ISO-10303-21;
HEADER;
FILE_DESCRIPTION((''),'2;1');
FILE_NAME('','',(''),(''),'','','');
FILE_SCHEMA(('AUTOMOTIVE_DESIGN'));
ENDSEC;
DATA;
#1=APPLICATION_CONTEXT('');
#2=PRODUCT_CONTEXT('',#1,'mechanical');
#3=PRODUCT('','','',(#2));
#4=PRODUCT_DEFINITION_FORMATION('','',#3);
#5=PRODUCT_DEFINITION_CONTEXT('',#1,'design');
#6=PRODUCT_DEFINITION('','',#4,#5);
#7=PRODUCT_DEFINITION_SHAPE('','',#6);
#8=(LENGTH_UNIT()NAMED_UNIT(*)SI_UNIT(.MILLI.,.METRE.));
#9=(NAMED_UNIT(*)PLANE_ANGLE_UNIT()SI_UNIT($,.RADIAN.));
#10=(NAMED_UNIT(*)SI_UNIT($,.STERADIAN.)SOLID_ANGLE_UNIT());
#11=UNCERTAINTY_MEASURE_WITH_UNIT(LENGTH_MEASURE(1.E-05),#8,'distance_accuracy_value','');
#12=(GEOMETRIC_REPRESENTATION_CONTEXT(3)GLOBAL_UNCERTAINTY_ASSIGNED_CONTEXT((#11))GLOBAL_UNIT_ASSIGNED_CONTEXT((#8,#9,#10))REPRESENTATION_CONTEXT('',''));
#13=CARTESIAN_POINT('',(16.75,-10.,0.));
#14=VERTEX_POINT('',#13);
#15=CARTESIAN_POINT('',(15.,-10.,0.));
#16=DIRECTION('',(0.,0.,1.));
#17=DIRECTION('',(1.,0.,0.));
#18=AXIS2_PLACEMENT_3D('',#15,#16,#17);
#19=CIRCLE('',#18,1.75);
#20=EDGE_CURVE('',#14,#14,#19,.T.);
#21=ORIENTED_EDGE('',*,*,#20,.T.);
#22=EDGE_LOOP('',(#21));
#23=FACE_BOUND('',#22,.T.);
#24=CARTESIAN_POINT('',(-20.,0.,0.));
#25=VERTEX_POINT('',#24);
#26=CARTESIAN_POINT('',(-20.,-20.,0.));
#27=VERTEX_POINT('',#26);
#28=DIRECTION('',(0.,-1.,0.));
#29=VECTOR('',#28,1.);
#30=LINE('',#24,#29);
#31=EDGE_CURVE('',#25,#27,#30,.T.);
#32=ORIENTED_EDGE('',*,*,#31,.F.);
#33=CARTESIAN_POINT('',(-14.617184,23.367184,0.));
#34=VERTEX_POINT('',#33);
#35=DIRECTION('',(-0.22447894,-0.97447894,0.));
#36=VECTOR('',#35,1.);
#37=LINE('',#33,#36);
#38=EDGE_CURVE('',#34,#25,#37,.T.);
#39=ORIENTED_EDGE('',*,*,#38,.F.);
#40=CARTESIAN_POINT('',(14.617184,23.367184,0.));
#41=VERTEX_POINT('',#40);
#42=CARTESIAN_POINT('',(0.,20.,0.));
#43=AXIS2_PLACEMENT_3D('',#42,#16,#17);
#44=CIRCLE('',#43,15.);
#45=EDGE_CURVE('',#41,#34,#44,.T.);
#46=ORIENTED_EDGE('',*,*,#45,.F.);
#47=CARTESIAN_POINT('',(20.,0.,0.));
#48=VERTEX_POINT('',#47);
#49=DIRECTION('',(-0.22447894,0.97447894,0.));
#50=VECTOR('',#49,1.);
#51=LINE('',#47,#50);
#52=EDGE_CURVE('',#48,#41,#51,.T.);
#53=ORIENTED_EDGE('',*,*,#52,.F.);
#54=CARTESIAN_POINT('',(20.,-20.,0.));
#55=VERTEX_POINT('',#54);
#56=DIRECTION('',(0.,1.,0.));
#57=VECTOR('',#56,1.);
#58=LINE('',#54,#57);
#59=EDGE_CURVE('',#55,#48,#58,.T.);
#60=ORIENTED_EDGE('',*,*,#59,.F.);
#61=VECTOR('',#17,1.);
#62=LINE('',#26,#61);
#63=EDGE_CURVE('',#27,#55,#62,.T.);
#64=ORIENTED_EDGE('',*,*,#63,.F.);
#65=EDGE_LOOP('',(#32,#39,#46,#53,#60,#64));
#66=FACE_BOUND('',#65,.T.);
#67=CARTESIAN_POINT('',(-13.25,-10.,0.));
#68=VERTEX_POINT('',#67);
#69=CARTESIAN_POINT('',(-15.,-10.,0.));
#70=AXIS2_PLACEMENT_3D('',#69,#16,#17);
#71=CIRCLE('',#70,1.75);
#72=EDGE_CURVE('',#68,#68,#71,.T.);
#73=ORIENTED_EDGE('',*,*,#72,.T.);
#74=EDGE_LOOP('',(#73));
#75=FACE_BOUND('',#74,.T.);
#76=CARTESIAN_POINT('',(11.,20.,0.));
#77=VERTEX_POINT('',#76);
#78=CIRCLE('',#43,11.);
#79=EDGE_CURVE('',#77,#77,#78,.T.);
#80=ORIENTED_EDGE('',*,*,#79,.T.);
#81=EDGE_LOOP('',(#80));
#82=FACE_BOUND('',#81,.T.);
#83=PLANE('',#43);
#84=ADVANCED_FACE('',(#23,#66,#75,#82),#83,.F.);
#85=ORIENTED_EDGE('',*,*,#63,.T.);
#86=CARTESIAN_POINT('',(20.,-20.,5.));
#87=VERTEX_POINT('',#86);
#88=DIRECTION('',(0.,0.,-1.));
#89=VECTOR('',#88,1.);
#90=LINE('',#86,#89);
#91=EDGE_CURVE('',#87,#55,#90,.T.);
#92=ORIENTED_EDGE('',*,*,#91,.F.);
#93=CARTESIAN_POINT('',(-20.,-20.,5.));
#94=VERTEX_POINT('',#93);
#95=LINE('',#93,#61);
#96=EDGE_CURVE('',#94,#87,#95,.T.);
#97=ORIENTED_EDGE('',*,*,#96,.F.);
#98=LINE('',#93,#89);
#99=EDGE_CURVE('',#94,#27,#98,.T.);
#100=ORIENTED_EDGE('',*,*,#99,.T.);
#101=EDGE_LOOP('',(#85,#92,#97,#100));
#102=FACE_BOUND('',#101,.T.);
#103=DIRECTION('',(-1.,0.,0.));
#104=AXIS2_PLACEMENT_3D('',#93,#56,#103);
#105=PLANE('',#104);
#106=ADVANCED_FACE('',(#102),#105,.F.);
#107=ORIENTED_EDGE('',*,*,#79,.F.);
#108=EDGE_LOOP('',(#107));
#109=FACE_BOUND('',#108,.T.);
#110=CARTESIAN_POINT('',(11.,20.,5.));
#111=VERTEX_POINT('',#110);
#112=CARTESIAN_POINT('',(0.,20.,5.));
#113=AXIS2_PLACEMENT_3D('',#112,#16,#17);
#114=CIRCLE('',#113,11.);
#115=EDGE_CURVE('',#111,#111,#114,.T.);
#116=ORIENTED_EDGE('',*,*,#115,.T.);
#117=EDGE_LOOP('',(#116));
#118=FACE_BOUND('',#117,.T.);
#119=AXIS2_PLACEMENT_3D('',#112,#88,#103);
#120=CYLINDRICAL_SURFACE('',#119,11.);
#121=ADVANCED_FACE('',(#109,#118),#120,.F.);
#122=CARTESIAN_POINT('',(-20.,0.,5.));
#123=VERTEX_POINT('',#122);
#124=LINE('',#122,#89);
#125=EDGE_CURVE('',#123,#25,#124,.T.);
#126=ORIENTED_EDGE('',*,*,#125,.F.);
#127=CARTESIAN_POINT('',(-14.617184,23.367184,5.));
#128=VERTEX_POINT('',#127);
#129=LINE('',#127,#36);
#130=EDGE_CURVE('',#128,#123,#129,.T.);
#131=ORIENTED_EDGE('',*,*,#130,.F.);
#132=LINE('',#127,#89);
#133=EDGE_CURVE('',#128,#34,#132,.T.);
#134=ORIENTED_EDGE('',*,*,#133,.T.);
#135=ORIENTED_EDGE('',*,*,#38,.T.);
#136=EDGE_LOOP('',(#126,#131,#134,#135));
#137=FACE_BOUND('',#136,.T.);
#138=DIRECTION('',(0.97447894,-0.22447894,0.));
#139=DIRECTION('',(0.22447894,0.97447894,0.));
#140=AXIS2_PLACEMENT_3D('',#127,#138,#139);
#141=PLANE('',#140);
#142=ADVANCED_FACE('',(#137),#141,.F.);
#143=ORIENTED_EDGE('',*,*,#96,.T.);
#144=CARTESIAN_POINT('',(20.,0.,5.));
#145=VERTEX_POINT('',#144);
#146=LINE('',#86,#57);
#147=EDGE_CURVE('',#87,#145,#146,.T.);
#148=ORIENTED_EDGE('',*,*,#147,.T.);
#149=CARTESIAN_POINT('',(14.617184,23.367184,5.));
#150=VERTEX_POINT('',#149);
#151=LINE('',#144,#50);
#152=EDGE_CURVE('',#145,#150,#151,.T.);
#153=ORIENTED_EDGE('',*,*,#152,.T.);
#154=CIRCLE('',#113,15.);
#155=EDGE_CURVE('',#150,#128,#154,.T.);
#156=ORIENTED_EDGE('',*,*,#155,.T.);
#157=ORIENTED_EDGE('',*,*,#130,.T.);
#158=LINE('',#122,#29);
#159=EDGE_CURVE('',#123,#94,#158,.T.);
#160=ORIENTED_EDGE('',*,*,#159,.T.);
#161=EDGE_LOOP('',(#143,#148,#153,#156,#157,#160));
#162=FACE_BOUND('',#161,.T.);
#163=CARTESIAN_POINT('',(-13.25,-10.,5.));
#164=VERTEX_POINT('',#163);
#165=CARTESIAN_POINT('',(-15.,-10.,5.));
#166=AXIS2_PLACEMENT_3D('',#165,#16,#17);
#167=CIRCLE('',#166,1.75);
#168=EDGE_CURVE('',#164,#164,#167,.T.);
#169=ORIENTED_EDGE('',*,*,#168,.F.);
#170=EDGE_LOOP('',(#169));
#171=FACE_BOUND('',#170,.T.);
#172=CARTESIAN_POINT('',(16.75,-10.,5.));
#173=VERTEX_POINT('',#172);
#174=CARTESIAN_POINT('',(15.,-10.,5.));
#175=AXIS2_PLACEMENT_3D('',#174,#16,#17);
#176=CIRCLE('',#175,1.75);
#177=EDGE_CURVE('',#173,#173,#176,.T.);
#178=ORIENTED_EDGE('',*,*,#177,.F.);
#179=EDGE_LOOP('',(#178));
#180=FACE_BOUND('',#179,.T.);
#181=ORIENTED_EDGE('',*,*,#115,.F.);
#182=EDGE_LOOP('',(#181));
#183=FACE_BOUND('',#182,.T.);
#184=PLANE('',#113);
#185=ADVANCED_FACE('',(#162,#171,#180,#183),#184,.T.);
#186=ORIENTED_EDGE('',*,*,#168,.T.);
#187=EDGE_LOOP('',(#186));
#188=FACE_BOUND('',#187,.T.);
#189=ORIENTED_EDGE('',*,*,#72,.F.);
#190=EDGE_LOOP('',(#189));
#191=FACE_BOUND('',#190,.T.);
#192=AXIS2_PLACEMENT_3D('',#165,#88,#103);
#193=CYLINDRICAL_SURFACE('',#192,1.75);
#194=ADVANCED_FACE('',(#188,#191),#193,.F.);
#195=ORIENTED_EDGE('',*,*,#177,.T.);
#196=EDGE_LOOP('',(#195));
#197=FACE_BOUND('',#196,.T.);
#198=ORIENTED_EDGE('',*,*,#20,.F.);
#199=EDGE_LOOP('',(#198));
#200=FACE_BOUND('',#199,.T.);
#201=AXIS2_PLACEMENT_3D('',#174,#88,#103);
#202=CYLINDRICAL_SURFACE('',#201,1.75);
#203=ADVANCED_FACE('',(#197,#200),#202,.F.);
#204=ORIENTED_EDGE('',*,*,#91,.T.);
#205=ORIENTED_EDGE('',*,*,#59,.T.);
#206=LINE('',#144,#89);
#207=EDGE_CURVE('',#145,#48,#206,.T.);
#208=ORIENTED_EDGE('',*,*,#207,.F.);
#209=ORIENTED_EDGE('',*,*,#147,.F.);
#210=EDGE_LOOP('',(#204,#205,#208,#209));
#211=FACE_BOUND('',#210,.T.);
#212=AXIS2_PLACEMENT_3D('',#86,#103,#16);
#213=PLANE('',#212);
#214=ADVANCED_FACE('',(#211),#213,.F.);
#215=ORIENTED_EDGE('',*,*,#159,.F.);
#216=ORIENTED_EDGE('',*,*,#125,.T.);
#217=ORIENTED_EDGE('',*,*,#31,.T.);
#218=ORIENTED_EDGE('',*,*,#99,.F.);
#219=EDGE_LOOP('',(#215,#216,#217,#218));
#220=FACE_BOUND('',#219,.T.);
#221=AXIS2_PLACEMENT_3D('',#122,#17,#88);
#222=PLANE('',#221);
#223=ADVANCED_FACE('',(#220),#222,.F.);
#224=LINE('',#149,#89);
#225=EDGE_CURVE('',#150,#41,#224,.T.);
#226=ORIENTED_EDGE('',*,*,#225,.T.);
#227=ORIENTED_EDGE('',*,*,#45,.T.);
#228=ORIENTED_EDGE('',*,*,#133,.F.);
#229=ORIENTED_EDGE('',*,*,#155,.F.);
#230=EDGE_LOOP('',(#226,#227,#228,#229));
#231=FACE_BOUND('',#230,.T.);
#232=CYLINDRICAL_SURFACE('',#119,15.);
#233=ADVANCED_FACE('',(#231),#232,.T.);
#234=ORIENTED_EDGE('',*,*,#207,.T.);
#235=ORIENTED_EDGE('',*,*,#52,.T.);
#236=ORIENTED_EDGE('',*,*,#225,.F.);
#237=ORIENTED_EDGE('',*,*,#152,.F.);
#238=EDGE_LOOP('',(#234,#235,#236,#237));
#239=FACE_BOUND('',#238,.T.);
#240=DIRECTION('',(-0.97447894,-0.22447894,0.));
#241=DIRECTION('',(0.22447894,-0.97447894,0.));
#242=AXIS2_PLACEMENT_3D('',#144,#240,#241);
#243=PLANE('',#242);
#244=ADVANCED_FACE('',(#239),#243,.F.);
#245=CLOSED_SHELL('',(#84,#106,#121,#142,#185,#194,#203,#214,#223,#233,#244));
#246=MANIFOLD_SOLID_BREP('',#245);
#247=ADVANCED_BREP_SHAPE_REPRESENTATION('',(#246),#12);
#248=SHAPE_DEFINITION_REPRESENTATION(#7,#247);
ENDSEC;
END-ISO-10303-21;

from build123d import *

# Parameters (mm, degrees)
SKETCH1_R           = 11
SKETCH1_R_2         = 1.75
BOSS_EXTRUDE1_DEPTH = 5


with BuildPart() as part:
    # Sketch1 → Boss-Extrude1 (new body)
    with BuildSketch(Plane.XY):
        with BuildLine():
            Line((-14.617184106, 23.367184106), (-20, 0))
            Line((-20, 0), (-20, -20))
            Line((-20, -20), (20, -20))
            Line((20, -20), (20, 0))
            Line((20, 0), (14.617184106, 23.367184106))
            ThreePointArc((14.617184106, 23.367184106), (0, 35), (-14.617184106, 23.367184106))
        make_face()
        with Locations((0, 20)):
            Circle(SKETCH1_R, mode=Mode.SUBTRACT)
        with Locations((-15, -10)):
            Circle(SKETCH1_R_2, mode=Mode.SUBTRACT)
        with Locations((15, -10)):
            Circle(SKETCH1_R_2, mode=Mode.SUBTRACT)
    extrude(amount=BOSS_EXTRUDE1_DEPTH)


solid = part.part
